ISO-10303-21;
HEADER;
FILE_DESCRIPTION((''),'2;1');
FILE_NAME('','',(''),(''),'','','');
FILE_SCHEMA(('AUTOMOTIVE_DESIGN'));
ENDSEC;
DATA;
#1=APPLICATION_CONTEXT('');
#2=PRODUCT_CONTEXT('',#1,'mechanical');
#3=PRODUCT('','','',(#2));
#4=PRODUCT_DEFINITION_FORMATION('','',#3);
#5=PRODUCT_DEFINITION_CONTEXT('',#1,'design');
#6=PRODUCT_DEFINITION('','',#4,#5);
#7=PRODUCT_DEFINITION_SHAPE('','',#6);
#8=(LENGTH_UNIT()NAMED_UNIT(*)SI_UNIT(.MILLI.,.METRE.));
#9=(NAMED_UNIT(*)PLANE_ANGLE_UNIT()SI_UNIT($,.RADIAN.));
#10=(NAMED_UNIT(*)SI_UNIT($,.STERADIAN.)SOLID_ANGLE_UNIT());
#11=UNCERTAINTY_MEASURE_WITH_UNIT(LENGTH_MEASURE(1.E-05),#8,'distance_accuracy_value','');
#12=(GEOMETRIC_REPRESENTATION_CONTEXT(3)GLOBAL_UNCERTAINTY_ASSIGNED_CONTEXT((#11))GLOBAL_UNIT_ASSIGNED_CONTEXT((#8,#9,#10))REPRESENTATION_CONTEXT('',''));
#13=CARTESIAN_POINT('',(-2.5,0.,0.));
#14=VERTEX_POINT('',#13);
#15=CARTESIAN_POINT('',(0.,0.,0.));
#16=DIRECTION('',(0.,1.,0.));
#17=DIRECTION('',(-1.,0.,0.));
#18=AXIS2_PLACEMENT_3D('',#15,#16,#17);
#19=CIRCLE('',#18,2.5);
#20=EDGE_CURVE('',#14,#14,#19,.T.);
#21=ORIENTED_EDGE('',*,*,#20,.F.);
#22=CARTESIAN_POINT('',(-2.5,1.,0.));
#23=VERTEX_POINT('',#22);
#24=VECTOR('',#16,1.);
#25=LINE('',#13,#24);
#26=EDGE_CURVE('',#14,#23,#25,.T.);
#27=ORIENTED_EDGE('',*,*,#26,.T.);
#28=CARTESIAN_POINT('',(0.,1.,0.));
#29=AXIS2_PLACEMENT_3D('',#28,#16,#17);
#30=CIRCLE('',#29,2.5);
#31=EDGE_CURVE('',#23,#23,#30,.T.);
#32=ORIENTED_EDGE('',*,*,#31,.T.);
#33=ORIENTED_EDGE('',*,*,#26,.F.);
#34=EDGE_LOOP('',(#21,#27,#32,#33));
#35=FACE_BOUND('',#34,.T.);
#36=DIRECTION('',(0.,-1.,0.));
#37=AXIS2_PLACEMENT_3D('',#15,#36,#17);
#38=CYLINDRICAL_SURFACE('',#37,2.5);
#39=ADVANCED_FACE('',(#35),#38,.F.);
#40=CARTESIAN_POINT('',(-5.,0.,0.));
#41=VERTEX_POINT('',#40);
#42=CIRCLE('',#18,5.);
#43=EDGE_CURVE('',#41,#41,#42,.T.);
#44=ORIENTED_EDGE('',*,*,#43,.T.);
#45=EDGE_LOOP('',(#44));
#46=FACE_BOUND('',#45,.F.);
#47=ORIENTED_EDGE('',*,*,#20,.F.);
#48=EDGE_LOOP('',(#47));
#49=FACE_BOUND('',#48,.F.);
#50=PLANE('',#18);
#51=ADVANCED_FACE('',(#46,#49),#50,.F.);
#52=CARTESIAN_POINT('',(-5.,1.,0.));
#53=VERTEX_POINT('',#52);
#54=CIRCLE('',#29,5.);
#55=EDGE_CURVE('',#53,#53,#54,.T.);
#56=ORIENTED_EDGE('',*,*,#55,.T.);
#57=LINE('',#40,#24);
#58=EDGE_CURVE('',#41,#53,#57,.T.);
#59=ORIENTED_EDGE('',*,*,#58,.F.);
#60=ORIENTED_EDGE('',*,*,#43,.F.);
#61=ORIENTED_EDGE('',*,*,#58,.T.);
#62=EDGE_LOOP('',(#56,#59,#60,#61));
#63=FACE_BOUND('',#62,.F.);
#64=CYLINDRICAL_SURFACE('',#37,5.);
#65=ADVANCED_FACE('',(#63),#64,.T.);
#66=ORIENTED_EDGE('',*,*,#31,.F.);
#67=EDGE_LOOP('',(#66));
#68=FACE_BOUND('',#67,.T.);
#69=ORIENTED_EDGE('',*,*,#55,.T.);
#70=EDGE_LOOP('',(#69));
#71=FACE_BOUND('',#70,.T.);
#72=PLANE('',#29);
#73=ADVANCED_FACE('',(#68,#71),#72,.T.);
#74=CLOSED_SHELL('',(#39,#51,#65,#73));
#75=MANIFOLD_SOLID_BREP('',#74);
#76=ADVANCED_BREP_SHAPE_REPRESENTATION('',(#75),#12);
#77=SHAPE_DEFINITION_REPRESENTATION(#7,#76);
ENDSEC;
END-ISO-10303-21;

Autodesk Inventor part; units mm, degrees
ref_plane "YZ Plane" through (0, 0, 0) normal (1, 0, 0) x (0, 1, 0)
ref_plane "XZ Plane" through (0, 0, 0) normal (0, 1, 0) x (-1, 0, 0)
ref_plane "XY Plane" through (0, 0, 0) normal (0, 0, 1) x (1, 0, 0)
sketch "Skizze1" plane through (0, 0, 0) normal (0, 1, 0) x (-1, 0, 0)
  circle A0 centre (0, 0) radius 5
  circle A1 centre (0, 0) radius 2.5
  dimension "d0" = 10
  dimension "d1" = 5
extrude "Extrusion1" add sketch "Skizze1" along normal blind 1
properties part number "01-03-04 Unterlegscheibe"
